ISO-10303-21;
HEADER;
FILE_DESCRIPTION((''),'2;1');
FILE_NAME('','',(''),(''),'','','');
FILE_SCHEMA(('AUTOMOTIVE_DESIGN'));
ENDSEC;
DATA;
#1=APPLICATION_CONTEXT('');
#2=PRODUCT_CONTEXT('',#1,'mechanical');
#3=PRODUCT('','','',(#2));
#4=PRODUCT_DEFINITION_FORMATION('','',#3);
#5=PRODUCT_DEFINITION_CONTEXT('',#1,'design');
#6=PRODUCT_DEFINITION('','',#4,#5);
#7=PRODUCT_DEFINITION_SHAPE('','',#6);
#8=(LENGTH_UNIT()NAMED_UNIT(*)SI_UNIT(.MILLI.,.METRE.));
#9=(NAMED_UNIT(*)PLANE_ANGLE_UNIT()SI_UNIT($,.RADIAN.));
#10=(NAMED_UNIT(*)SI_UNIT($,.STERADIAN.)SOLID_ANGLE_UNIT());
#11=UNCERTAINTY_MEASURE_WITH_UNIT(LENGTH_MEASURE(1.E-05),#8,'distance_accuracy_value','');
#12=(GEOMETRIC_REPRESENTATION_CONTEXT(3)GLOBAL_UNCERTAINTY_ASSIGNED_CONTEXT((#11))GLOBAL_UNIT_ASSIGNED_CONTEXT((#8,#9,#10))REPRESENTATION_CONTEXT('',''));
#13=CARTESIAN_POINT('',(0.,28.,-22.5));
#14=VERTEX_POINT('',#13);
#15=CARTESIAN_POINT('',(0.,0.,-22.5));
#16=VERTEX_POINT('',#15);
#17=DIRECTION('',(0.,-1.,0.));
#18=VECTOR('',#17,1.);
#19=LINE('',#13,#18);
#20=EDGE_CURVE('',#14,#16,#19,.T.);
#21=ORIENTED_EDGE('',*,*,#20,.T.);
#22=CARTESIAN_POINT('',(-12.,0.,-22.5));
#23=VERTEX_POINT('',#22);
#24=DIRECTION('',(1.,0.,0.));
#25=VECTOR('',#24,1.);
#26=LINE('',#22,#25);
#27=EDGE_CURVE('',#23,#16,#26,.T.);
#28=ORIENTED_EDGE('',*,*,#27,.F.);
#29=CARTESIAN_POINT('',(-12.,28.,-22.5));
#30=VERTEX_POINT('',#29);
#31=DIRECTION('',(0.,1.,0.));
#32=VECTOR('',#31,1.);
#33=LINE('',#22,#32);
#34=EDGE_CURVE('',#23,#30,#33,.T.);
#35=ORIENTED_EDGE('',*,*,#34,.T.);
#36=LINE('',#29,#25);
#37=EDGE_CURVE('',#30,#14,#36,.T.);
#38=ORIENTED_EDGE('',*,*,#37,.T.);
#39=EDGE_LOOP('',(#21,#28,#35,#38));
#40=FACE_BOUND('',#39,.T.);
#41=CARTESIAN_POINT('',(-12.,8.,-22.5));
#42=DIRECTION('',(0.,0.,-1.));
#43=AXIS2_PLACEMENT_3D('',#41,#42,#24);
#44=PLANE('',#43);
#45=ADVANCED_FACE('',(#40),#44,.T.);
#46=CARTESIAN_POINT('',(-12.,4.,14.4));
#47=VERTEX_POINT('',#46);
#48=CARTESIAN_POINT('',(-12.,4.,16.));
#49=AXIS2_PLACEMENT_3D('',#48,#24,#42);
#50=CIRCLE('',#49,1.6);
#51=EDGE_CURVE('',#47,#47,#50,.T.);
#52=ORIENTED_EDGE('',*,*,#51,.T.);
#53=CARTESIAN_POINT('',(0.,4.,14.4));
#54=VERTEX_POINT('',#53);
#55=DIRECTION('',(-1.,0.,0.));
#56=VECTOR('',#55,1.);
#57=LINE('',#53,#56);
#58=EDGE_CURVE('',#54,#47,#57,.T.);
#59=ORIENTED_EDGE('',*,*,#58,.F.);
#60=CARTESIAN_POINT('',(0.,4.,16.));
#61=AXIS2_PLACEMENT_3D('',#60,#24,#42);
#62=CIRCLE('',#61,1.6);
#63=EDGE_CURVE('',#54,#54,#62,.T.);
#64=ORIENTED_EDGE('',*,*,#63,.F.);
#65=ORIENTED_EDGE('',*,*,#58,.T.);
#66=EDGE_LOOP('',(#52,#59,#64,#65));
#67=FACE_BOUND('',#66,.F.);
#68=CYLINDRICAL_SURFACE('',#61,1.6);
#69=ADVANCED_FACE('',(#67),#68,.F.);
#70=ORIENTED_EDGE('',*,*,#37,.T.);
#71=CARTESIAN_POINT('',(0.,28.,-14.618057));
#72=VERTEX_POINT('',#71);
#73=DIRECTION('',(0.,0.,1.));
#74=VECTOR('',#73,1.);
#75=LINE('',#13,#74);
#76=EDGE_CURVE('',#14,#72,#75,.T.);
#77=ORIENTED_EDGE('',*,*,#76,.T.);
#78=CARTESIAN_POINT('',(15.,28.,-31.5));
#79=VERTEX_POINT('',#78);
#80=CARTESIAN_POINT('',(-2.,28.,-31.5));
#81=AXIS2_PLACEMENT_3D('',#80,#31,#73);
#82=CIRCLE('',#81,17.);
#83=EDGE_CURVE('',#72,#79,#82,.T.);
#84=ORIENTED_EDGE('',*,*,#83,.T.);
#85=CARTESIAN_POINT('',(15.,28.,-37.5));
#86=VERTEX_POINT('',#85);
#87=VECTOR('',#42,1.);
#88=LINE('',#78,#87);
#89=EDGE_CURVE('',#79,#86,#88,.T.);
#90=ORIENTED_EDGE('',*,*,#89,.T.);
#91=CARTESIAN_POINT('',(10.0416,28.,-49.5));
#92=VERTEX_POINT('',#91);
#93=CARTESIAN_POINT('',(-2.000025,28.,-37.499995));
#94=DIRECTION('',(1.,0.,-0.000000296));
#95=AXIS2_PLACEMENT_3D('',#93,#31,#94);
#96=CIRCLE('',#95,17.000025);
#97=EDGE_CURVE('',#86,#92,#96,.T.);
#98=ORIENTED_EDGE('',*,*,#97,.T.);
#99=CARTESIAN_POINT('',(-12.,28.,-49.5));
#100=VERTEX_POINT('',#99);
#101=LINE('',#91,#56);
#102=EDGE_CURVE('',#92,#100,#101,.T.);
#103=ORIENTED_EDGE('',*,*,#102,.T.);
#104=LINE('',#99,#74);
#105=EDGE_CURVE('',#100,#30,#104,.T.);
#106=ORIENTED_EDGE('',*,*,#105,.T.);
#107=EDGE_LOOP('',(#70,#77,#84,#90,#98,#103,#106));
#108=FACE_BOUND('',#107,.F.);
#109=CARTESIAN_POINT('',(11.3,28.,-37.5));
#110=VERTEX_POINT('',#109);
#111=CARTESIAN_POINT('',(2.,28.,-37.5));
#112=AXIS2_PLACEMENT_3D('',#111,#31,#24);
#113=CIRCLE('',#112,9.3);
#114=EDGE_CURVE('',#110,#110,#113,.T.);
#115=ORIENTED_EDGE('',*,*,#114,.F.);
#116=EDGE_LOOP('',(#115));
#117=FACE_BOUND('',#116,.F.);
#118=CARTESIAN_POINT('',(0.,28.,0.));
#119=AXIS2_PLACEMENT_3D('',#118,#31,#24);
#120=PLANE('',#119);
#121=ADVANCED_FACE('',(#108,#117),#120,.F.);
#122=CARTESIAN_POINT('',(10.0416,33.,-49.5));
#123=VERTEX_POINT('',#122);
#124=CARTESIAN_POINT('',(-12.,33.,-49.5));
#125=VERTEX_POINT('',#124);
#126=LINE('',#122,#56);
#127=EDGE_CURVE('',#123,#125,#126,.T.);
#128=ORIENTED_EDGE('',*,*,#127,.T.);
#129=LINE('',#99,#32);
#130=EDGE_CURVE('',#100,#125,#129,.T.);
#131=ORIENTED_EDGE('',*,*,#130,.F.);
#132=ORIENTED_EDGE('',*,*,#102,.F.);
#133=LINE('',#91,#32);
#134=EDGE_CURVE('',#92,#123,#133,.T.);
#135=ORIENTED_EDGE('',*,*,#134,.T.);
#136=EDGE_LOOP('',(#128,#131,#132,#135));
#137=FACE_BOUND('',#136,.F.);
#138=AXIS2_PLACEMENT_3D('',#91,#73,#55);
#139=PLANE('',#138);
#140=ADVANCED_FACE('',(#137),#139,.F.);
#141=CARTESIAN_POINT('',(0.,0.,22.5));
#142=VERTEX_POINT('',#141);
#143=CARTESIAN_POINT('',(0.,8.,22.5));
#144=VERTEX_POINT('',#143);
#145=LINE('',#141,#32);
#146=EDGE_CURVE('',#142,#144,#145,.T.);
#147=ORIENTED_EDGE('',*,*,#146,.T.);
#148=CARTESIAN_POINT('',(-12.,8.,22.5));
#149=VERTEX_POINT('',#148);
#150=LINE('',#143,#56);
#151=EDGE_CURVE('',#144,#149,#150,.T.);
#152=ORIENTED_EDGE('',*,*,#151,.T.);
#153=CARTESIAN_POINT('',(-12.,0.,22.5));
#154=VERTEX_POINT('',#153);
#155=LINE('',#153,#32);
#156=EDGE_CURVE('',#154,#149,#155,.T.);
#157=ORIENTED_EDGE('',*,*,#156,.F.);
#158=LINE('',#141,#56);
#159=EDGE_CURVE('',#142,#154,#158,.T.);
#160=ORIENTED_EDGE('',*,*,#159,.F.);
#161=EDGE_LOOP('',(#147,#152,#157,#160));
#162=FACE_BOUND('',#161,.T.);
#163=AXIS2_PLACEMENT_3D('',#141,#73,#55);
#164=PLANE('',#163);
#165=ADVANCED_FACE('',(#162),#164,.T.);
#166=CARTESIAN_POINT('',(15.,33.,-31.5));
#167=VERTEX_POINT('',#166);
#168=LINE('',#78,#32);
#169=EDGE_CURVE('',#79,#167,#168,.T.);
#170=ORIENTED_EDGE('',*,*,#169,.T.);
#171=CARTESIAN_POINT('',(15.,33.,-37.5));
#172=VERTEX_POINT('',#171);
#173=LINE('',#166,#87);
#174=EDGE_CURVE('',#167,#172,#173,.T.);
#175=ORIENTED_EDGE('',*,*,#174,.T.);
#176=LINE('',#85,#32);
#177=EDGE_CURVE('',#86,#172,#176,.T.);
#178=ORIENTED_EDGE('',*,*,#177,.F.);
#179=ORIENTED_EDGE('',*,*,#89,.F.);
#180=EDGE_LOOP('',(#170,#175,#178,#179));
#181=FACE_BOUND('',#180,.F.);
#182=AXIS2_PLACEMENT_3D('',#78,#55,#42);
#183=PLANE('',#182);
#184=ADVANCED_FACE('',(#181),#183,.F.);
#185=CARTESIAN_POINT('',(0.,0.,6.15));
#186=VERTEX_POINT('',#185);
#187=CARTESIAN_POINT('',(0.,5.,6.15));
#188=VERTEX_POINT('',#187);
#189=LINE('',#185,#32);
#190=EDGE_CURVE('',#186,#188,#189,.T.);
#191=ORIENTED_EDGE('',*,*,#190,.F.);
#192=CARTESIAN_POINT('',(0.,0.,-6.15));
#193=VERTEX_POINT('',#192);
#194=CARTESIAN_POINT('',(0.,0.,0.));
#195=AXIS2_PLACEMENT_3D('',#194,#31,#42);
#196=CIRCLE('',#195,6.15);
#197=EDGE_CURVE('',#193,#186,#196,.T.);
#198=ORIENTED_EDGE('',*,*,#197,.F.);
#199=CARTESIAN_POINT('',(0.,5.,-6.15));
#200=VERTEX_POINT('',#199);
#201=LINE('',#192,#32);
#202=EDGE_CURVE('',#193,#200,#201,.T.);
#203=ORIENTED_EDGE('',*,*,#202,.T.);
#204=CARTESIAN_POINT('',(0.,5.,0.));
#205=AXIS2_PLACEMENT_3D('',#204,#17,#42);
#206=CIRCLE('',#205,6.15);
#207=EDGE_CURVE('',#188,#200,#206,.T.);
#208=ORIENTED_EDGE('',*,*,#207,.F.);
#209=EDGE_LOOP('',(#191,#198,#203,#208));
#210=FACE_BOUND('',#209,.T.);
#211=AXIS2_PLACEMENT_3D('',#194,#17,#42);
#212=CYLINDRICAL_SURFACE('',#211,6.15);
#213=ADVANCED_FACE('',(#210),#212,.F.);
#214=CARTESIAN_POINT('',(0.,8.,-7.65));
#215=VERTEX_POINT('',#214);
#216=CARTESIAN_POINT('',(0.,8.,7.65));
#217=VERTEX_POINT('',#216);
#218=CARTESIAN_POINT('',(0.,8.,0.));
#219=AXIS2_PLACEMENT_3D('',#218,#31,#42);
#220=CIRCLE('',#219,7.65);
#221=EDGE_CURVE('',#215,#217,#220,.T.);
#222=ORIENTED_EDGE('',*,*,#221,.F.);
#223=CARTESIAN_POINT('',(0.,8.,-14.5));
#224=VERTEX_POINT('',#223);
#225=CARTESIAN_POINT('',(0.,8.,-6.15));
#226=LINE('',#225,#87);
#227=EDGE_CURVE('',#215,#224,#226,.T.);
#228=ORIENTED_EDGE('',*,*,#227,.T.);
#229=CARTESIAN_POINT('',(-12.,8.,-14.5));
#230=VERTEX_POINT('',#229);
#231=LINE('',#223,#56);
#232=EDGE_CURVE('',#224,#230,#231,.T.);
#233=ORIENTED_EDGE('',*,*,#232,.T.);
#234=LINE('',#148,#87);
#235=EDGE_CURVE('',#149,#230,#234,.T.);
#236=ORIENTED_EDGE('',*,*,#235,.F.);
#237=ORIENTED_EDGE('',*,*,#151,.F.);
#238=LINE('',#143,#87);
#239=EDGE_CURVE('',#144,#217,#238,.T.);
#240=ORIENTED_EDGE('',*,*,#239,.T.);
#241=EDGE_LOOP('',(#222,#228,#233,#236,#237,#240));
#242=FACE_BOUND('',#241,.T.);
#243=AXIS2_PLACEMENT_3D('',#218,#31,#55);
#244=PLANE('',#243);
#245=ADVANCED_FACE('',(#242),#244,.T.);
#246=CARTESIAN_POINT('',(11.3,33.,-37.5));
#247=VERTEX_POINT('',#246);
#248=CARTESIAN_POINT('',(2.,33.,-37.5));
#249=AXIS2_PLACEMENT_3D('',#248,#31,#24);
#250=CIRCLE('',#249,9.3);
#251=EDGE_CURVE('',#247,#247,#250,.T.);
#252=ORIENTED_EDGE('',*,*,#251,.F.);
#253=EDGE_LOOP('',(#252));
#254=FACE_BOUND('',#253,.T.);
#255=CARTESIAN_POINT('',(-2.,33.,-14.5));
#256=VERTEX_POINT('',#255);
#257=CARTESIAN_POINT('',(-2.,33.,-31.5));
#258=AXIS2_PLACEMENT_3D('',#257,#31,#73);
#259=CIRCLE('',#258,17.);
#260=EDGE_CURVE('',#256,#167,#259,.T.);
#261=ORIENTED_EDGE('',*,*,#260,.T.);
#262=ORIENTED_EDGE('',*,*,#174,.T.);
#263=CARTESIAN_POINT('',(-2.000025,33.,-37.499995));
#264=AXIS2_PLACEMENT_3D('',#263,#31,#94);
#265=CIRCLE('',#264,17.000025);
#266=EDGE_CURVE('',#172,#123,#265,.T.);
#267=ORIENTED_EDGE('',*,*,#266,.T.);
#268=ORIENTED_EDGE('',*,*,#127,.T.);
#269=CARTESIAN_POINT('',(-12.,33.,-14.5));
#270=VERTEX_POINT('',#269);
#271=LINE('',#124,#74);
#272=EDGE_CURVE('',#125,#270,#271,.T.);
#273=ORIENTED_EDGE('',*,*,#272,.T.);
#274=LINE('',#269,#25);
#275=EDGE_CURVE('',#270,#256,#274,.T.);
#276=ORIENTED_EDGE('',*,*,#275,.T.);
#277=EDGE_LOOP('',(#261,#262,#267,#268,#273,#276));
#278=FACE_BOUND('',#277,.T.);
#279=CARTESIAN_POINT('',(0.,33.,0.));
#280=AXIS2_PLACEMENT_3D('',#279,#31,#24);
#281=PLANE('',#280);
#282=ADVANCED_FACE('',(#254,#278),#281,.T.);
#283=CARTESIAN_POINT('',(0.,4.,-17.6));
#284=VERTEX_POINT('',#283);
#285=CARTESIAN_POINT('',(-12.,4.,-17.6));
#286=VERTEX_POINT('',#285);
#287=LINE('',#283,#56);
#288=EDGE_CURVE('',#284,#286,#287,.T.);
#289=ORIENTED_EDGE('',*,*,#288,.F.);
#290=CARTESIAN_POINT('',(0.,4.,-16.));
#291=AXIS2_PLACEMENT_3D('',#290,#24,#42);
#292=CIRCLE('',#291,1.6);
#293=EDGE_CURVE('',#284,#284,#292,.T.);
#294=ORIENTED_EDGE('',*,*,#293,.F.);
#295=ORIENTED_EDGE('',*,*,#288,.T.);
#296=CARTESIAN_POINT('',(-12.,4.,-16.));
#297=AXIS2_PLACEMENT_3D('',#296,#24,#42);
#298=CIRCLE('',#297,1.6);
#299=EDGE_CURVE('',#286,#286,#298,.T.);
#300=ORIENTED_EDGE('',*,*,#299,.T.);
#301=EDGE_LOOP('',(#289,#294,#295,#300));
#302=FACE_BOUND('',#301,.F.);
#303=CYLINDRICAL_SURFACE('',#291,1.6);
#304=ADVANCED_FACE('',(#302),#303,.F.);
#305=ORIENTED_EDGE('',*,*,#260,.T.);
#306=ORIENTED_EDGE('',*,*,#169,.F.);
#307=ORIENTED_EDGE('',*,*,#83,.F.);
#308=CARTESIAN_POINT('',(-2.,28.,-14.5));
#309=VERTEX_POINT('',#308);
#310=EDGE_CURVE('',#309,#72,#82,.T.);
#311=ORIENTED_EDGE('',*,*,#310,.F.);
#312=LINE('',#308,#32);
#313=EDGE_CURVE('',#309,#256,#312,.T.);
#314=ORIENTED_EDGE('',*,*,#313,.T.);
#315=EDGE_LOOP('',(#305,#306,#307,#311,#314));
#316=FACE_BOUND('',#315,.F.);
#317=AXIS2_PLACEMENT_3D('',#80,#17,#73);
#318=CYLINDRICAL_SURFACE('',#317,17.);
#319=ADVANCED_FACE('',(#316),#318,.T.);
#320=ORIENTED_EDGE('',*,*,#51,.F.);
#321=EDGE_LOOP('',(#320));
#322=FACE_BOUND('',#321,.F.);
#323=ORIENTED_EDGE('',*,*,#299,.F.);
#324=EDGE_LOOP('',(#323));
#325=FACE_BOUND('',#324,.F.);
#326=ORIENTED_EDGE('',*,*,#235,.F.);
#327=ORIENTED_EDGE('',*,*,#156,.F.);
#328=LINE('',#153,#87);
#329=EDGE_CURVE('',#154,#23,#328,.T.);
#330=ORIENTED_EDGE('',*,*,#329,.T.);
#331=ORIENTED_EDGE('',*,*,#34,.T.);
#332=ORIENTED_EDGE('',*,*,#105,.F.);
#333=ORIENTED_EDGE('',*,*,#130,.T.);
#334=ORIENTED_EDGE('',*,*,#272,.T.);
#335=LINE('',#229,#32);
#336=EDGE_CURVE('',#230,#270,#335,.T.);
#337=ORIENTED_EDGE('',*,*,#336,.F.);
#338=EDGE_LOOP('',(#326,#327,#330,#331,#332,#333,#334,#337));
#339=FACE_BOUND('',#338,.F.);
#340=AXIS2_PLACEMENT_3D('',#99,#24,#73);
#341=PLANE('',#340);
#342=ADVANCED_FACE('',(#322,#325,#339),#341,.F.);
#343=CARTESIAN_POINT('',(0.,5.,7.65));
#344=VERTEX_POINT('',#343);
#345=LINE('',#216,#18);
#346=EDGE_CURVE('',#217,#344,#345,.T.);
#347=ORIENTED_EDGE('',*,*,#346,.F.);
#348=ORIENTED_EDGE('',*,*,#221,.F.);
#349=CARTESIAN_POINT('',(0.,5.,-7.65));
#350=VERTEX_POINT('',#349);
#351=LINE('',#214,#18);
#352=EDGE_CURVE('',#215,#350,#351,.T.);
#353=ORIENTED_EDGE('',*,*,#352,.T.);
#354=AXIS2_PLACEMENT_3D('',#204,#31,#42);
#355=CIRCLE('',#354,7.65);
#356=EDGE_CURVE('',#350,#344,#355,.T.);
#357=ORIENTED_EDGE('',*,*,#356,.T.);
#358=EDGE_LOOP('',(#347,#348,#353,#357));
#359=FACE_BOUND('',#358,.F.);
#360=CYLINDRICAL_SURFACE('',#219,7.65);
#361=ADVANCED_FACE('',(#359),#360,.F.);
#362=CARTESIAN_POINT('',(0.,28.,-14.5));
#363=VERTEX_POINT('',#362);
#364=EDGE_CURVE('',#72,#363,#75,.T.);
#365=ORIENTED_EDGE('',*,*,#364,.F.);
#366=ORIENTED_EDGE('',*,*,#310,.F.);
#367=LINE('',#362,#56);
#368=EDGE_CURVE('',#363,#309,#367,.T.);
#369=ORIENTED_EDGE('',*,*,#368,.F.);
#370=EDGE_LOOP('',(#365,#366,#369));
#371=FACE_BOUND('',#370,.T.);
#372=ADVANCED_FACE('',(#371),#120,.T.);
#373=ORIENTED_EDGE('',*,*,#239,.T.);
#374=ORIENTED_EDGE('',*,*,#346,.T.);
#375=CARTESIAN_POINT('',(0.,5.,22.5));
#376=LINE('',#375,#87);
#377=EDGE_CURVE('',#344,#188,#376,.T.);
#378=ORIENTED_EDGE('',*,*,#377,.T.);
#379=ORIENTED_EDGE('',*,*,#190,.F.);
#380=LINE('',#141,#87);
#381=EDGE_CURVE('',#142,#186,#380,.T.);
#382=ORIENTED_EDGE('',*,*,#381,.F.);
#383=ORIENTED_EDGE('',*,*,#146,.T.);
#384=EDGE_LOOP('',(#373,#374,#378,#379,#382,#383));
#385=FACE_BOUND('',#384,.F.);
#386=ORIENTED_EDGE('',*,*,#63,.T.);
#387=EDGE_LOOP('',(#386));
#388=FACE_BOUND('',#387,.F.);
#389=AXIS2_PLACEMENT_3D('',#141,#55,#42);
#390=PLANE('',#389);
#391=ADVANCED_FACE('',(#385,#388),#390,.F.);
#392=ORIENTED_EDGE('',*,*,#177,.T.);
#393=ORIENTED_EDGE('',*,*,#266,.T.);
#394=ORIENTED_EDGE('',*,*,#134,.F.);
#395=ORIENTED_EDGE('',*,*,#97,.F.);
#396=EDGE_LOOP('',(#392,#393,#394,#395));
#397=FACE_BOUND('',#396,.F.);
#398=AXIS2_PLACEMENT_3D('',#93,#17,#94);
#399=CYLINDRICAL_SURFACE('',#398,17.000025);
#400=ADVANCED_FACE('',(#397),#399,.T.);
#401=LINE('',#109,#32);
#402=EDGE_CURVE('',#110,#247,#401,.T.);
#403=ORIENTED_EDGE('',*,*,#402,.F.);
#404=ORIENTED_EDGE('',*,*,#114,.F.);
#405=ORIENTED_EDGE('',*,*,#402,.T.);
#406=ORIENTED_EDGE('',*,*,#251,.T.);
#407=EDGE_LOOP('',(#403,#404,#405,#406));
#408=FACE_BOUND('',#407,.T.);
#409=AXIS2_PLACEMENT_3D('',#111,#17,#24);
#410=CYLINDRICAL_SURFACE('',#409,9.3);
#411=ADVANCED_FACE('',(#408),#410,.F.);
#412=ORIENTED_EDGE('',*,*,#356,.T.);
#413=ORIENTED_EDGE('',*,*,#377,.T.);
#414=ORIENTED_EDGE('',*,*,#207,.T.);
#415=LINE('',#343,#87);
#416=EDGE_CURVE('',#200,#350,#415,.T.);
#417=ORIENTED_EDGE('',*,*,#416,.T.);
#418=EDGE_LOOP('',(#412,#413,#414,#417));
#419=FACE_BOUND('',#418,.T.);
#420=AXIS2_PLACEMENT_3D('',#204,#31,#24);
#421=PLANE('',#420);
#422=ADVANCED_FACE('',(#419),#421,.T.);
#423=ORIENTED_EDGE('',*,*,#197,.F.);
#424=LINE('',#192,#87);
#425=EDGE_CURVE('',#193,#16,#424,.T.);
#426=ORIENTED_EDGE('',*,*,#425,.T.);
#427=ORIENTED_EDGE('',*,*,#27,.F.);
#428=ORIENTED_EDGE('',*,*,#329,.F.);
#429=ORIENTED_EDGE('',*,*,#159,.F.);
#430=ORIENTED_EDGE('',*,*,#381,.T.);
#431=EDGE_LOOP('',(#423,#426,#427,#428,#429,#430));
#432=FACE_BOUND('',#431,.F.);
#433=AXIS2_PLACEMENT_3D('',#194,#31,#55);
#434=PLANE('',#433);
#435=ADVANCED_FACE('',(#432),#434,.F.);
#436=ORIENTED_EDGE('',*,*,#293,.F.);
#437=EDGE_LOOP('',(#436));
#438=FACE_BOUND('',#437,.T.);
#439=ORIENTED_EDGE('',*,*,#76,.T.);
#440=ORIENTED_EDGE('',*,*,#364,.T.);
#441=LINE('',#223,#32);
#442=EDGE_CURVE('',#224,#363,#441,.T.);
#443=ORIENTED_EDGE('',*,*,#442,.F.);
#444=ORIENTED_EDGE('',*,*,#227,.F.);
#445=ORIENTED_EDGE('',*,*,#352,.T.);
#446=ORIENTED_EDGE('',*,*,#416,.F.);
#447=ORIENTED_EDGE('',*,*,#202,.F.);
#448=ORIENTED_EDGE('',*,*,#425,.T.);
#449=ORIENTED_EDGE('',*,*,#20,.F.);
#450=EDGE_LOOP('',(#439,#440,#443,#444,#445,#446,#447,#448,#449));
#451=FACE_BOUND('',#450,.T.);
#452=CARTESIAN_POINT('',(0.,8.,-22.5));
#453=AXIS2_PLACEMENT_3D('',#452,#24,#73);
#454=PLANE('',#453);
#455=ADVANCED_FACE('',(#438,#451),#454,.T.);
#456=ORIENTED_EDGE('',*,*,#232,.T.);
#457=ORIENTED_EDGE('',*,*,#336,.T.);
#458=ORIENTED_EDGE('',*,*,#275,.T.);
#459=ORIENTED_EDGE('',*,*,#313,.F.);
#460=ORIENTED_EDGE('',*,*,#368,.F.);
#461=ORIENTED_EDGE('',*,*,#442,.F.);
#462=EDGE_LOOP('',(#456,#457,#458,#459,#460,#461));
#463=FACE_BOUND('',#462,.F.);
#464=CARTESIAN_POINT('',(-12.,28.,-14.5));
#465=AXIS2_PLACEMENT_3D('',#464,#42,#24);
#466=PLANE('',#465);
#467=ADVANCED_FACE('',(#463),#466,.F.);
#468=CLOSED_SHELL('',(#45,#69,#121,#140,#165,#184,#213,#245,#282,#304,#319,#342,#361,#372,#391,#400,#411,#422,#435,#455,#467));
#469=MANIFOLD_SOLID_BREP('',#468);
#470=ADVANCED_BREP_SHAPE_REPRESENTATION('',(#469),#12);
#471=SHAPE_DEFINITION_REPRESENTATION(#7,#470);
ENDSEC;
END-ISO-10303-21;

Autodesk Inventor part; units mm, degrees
ref_plane "YZ Plane" through (0, 0, 0) normal (1, 0, 0) x (0, 1, 0)
ref_plane "XZ Plane" through (0, 0, 0) normal (0, 1, 0) x (-1, 0, 0)
ref_plane "XY Plane" through (0, 0, 0) normal (0, 0, 1) x (1, 0, 0)
sketch "Sketch1" plane through (0, 0, 0) normal (0, 1, 0) x (-1, 0, 0)
  line L0 (0, 22.5) -> (12, 22.5)
  line L1 (12, 22.5) -> (12, -22.5)
  line L2 (12, -22.5) -> (0, -22.5)
  arc A0 (0, -6.15) -> (0, 6.15) centre (0, 0) ccw
  line L3 (0, 22.5) -> (0, 6.15)
  line L4 (0, -6.15) -> (0, -22.5)
  point P0 (12, 0)
  dimension "d0" = 12
  dimension "d1" = 45
  dimension "d2" = 6.15
extrude "Extrusion1" add sketch "Sketch1" along normal blind 8
sketch "Sketch2" plane through (0, 8, 0) normal (0, 1, 0) x (1, 0, 0)
  line L0 (0, -22.5) -> (0, -6.15) projected
  arc A0 (0, 7.65) -> (0, -7.65) centre (0, 0) ccw
  line L1 (0, -7.65) -> (0, 7.65)
  dimension "d5" = 7.65
extrude "Extrusion2" cut sketch "Sketch2" against normal blind 3
sketch "Sketch3" plane through (0, 0, 22.5) normal (1, 0, 0) x (0, 0, -1)
  circle A0 centre (6.5, 4) radius 1.6
  circle A1 centre (38.5, 4) radius 1.6
  line L0 (16.35, 0) -> (0, 0) projected
  point P0 (22.5, 0)
  dimension "d8" = 3.2
  dimension "d9" = 32
  dimension "d10" = 4
  dimension "d11" = 16
extrude "Extrusion3" cut sketch "Sketch3" against normal up to next
sketch "Sketch4" plane through (0, 8, 0) normal (0, 1, 0) x (1, 0, 0)
  line L0 (-12, 22.5) -> (0, 22.5)
  line L1 (0, 22.5) -> (0, 14.5)
  line L2 (0, 14.5) -> (-12, 14.5)
  line L3 (-12, 14.5) -> (-12, 22.5)
  point P0 (0, 0)
  dimension "d14" = 8
extrude "Extrusion4" add sketch "Sketch4" along normal blind 20
sketch "Sketch5" plane through (0, 28, 0) normal (0, 1, 0) x (1, 0, 0)
  line L0 (10.0416, 49.5) -> (-12, 49.5)
  line L1 (-12, 49.5) -> (-12, 14.5)
  arc A0 (-2, 14.5) -> (15, 31.5) centre (-2, 31.5) ccw
  line L2 (-12, 14.5) -> (-2, 14.5)
  line L3 (15, 31.5) -> (15, 37.5)
  arc A1 (15, 37.5) -> (10.0416, 49.5) centre (-2, 37.5) ccw
  circle A2 centre (2, 37.5) radius 9.3
  point P0 (0, 0)
  dimension "d19" = 35
  dimension "d20" = 17
  dimension "d21" = 10
  dimension "d22" = 6
  dimension "d23" = 18.6
  dimension "d24" = 14
extrude "Extrusion5" add sketch "Sketch5" along normal blind 5
equation "\"d11\" = 0.5 * d9"
properties material "ABS Plastic"
